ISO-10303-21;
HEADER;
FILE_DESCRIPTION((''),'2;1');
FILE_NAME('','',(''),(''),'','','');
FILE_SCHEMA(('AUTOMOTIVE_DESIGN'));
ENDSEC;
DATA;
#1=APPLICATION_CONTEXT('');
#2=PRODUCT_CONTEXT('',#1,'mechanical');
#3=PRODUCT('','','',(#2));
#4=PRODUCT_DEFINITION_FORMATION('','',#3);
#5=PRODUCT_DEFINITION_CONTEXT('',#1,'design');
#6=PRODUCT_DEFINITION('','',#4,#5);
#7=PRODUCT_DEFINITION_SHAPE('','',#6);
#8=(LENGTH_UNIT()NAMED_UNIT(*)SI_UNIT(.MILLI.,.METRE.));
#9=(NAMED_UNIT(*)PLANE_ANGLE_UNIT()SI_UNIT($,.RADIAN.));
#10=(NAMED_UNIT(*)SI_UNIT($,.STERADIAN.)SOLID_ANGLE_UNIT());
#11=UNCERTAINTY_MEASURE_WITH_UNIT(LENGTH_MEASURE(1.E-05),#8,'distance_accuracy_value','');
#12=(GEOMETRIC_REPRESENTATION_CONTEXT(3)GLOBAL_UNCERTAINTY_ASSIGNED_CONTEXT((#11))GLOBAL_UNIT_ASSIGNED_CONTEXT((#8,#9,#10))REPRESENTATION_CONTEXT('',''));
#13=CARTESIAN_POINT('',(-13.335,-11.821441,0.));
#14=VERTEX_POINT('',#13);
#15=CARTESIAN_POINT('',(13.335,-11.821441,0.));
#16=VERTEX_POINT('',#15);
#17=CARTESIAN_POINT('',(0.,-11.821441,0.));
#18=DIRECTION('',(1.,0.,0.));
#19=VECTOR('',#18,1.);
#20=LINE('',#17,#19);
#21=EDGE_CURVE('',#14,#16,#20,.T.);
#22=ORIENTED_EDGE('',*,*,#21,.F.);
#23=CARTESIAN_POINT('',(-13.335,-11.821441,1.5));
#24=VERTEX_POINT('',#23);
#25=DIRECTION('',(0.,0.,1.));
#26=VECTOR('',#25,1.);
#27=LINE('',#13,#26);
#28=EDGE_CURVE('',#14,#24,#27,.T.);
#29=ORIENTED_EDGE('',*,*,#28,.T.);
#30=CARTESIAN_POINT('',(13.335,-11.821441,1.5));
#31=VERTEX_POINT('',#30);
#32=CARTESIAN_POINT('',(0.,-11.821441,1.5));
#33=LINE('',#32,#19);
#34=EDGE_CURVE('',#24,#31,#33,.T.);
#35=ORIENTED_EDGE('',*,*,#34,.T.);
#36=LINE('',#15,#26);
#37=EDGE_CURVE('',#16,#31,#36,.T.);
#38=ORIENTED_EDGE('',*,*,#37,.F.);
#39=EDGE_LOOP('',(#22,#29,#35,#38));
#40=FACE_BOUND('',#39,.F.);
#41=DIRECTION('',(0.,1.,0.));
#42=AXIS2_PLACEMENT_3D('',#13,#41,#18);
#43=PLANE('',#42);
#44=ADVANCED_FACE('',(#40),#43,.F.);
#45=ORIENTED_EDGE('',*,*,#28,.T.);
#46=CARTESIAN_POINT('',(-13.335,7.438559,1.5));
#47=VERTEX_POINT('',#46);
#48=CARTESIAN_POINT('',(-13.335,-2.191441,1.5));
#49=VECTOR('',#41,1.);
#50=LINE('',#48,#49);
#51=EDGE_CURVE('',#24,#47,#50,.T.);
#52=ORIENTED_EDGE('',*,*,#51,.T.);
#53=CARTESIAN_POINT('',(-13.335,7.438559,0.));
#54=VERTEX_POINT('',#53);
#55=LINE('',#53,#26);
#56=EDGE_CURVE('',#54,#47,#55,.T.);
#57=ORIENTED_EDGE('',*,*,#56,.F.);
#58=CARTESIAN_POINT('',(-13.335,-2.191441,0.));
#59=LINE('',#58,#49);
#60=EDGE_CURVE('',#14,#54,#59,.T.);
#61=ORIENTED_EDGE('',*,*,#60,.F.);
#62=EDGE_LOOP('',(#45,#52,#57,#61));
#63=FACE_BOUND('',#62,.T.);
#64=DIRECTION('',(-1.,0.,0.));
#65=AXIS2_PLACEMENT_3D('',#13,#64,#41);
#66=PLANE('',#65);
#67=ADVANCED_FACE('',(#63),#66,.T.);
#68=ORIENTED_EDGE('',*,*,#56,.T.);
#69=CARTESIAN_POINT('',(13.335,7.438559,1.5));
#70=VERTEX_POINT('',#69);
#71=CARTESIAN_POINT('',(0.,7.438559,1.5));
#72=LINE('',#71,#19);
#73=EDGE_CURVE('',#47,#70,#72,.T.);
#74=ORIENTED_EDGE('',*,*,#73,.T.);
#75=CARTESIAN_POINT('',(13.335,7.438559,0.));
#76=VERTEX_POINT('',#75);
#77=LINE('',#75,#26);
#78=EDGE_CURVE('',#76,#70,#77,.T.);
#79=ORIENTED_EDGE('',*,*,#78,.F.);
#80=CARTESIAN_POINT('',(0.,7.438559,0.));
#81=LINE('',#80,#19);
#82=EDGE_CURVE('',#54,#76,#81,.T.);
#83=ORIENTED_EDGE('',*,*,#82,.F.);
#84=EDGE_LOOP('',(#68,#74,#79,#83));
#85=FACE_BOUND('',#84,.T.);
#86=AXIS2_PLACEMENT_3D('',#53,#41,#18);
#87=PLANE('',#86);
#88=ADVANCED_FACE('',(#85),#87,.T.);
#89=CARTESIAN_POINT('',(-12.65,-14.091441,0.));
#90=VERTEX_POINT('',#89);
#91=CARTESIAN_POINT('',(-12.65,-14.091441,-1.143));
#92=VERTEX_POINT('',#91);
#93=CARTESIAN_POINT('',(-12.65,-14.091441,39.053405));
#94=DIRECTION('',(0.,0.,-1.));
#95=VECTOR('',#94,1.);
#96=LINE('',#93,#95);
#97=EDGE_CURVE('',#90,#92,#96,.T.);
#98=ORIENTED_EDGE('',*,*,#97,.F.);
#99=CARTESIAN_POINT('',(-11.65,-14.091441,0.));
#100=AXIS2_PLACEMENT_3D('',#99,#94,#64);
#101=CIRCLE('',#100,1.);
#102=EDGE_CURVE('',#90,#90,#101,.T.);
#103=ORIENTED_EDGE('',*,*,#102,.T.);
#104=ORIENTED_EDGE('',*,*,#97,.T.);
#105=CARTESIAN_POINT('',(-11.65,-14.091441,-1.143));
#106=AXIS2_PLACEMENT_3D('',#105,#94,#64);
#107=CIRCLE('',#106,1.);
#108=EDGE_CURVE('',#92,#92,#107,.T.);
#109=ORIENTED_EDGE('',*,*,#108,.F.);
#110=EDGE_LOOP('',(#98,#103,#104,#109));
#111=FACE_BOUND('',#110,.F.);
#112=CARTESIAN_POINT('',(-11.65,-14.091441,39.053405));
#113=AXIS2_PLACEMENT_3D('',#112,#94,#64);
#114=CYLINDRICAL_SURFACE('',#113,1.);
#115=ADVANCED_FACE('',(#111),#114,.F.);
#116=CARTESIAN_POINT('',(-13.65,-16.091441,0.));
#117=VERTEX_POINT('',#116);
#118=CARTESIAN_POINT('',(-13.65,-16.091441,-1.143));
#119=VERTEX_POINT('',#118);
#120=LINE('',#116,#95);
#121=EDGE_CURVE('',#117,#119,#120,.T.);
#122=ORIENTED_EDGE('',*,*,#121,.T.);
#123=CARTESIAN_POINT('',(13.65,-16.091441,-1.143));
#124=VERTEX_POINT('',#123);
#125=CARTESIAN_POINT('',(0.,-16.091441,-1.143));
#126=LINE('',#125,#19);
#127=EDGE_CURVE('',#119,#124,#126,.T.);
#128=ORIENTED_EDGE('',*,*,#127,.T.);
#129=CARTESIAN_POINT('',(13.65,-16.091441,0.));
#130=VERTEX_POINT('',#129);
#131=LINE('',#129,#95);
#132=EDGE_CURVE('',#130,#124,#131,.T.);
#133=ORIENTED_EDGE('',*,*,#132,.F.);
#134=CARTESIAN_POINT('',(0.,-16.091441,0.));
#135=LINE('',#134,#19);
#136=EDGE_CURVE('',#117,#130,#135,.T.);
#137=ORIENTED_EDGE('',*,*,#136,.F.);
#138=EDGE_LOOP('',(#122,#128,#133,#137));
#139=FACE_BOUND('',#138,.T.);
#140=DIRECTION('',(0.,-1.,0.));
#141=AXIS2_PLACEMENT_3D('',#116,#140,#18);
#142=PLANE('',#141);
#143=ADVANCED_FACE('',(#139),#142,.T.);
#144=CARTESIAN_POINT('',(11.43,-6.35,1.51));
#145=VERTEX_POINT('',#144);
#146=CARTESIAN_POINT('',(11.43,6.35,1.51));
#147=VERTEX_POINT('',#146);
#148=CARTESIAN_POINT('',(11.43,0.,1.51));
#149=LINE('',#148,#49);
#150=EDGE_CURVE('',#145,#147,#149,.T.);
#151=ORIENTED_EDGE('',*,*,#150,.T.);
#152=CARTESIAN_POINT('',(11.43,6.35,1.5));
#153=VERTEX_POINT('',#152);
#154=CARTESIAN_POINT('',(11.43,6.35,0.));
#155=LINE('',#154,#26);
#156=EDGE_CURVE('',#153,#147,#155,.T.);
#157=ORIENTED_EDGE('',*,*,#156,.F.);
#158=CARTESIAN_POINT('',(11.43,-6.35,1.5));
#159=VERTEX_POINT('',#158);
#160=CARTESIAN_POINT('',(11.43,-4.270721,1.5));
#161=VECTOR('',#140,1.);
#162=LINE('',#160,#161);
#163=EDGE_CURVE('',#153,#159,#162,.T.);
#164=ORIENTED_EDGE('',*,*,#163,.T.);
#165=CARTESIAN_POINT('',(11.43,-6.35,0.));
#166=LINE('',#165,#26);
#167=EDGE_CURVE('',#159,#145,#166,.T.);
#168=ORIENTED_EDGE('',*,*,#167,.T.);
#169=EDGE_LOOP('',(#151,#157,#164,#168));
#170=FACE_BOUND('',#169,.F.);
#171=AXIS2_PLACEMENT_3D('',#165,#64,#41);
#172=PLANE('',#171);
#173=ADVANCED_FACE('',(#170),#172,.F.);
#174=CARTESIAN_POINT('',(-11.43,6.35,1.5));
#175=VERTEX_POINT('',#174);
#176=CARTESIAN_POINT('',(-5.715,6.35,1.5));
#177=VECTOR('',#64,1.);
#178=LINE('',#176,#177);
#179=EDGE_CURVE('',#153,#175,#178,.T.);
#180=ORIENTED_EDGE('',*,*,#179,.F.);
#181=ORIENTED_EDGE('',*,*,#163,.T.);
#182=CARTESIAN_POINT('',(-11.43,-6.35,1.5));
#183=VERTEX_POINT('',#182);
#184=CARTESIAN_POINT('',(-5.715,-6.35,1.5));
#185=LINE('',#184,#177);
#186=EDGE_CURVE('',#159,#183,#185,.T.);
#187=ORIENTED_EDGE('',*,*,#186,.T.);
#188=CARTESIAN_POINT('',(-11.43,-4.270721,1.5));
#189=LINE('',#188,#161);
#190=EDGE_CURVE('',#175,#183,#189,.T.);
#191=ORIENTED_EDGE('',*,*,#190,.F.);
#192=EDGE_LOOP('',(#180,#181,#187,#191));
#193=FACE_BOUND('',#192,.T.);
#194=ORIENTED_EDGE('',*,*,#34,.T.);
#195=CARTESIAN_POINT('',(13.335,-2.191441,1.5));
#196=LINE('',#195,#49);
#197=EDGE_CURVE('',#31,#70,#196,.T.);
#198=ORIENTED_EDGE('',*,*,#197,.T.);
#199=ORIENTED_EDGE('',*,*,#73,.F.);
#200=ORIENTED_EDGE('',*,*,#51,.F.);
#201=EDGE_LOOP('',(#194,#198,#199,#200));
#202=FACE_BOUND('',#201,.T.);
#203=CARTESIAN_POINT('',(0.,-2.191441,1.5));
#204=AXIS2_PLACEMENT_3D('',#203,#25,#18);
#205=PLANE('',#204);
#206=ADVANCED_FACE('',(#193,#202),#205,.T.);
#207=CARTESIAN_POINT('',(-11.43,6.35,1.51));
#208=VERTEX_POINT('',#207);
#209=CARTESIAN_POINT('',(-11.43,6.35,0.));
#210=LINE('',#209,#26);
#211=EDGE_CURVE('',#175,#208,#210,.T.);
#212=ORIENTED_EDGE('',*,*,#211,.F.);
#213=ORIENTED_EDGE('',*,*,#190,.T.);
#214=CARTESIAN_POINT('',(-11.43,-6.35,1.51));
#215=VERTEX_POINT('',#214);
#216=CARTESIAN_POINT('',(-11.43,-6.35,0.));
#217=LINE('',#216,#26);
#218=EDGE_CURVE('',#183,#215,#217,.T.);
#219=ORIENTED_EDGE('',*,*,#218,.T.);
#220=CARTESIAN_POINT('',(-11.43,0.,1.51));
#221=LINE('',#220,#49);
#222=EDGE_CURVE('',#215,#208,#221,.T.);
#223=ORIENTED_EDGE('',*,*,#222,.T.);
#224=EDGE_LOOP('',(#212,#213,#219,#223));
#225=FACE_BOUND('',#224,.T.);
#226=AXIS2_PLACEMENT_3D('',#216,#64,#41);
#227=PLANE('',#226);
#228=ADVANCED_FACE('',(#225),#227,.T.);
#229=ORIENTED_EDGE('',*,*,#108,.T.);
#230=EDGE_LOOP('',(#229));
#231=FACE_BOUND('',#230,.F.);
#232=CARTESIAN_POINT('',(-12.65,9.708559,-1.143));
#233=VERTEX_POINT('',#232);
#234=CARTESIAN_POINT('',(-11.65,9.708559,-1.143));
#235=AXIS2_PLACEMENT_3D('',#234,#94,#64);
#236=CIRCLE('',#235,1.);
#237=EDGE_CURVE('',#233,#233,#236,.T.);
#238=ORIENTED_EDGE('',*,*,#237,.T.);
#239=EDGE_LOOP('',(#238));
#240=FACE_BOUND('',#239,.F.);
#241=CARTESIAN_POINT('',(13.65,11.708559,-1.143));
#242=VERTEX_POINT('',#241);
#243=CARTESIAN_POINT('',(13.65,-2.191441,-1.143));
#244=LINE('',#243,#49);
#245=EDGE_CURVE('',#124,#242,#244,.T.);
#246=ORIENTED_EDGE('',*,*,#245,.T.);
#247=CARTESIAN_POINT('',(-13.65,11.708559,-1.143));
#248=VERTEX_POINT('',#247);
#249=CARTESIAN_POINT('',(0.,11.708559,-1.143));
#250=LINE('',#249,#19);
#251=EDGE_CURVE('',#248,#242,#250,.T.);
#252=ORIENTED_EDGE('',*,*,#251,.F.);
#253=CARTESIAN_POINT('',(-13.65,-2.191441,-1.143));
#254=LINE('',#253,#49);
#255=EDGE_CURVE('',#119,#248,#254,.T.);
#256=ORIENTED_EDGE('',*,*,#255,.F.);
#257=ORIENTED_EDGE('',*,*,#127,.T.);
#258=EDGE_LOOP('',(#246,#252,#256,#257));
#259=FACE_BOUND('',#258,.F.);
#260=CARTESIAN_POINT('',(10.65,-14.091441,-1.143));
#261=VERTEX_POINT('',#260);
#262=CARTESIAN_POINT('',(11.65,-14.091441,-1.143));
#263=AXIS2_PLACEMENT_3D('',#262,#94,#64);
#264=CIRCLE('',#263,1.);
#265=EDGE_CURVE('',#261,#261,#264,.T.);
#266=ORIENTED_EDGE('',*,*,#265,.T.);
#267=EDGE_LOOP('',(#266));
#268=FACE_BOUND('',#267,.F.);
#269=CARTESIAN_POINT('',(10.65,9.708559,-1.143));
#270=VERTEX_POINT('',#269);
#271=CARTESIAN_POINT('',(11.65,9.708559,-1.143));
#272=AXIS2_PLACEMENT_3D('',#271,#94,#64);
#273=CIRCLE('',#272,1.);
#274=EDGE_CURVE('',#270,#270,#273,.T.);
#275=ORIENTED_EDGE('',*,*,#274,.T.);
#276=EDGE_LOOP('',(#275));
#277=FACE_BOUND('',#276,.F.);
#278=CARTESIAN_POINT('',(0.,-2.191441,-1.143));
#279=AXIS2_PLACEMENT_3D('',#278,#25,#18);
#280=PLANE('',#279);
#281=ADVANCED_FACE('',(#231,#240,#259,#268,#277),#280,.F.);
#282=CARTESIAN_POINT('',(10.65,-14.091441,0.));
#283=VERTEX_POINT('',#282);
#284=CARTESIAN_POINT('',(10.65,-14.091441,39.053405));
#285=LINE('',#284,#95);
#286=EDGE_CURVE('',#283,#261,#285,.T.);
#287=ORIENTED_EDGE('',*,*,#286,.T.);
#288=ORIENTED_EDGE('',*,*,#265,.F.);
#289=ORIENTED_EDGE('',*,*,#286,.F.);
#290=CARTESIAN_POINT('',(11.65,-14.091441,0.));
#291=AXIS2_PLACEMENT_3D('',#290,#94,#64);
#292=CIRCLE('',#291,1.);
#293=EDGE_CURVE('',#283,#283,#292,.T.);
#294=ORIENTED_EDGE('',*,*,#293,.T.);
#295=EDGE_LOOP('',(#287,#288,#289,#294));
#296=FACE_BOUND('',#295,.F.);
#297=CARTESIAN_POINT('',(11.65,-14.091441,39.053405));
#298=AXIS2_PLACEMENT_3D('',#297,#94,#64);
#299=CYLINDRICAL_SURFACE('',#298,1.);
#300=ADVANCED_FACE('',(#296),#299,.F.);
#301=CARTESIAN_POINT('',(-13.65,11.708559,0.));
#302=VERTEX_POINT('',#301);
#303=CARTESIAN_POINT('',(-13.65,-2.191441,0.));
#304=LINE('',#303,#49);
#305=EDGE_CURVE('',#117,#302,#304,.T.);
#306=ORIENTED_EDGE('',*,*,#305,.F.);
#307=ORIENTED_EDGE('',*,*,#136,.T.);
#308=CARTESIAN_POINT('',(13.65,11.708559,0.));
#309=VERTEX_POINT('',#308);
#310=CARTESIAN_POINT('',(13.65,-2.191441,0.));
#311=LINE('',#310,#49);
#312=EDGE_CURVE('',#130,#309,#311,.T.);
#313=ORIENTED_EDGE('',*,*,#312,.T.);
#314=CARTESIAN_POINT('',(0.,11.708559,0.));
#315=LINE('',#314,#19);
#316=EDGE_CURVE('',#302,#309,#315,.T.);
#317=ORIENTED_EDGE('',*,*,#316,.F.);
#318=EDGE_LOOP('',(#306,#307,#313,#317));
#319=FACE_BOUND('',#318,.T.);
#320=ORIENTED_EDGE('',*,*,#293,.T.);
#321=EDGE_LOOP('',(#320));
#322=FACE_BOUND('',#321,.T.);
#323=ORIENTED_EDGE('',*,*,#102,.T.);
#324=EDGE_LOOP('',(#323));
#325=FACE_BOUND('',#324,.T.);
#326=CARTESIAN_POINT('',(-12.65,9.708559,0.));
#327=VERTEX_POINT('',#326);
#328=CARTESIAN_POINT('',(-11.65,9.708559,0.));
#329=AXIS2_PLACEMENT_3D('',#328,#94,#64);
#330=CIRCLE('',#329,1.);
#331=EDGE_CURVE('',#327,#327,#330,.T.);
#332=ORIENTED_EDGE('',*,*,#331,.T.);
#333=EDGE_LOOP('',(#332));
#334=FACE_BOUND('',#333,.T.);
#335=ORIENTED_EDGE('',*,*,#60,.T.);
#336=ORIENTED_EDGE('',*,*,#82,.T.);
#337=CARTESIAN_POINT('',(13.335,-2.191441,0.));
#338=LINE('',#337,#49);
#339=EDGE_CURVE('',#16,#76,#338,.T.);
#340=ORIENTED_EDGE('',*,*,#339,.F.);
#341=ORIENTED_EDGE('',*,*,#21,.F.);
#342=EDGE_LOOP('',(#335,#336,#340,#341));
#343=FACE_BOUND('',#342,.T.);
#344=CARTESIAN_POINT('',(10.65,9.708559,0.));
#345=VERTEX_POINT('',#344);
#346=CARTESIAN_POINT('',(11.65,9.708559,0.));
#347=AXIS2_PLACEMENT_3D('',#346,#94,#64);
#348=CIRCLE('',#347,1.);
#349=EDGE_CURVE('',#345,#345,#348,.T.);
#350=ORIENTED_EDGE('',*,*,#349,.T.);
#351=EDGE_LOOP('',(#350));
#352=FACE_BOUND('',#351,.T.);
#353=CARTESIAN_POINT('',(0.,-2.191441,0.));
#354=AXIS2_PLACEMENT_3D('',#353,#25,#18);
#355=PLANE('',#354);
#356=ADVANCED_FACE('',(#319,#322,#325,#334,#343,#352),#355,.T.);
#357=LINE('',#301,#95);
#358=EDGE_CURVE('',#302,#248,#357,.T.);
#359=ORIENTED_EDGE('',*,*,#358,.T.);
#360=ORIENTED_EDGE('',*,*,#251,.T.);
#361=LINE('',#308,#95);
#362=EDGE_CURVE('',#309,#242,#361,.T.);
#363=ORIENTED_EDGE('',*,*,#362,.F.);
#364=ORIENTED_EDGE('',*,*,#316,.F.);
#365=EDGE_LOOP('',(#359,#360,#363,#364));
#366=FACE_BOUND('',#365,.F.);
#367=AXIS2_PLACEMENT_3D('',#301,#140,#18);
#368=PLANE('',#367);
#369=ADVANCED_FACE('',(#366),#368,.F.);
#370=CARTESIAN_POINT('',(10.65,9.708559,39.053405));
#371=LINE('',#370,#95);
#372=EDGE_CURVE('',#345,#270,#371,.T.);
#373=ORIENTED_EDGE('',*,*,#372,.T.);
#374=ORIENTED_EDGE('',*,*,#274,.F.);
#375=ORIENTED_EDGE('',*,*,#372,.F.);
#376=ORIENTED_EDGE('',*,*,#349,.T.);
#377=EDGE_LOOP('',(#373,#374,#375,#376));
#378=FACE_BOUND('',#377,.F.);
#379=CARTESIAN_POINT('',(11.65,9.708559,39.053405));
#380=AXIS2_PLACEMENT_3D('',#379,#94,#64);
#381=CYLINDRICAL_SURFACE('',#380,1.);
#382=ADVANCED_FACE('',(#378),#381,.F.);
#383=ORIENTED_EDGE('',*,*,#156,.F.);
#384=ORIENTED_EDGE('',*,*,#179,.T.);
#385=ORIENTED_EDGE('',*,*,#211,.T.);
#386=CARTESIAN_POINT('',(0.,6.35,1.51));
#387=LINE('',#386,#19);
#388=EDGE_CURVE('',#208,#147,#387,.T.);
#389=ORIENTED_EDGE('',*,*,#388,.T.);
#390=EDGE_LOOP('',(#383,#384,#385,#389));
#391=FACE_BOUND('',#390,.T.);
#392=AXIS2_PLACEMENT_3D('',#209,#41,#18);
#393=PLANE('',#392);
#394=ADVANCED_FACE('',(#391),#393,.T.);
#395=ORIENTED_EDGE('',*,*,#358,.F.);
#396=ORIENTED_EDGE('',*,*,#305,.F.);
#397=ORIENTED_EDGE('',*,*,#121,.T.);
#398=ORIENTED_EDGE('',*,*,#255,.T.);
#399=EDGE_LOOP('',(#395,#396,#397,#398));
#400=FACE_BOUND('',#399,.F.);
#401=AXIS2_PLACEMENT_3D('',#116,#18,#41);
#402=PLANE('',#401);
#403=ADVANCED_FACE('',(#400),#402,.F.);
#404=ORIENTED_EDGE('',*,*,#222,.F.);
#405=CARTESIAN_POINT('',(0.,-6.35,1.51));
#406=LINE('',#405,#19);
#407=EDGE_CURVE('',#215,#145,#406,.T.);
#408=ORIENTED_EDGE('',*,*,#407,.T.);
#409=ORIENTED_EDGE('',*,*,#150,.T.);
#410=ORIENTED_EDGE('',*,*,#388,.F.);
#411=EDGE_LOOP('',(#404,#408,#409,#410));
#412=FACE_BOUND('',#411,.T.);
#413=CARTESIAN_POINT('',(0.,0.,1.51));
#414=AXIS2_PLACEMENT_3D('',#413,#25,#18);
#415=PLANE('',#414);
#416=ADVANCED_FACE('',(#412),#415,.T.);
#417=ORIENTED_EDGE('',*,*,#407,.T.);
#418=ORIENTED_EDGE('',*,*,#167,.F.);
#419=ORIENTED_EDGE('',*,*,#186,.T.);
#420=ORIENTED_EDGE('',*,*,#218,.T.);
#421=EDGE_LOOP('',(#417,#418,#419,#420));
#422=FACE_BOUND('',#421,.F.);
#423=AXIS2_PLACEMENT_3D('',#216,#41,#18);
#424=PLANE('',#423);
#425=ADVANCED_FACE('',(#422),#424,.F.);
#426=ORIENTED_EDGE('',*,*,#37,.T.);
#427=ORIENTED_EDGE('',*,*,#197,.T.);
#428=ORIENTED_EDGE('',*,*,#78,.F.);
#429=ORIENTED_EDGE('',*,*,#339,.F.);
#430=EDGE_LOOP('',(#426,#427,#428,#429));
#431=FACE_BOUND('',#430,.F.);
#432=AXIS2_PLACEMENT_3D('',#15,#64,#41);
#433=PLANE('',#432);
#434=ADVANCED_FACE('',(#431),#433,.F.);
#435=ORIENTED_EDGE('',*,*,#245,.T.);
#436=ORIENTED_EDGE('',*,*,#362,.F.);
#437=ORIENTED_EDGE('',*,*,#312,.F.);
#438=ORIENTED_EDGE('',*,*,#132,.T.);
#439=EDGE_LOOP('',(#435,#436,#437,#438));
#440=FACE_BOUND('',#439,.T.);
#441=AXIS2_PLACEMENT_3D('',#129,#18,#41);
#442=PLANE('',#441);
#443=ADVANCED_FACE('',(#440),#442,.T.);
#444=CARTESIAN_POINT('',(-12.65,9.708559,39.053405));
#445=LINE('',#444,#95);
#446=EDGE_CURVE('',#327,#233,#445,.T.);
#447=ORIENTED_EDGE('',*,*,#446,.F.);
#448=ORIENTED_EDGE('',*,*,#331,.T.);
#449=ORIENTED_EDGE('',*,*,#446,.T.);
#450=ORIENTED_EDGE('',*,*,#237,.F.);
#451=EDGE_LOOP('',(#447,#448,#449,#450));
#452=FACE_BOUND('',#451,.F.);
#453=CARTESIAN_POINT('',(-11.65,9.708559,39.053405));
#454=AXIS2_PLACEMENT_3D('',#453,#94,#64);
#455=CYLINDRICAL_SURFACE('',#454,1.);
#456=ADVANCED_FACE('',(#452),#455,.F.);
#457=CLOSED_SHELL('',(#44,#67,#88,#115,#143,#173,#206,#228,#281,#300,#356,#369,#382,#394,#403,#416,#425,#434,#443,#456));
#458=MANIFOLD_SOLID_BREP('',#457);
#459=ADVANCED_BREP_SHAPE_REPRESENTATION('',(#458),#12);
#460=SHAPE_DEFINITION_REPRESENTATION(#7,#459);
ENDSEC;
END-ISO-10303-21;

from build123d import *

# Parameters (mm, degrees)
F0_W     = 27.3
F0_H     = 27.8
F0_W_2   = 26.67
F0_H_2   = 19.26
F0_W_3   = 22.86
F0_H_3   = 12.7
F1_DEPTH = 1.143
F2_DEPTH = 1.5
F3_DEPTH = 1.51
F5_D     = 2


with BuildPart() as f1:
    # F0 (on Top) → F1 (new body)
    with BuildSketch(Plane.XY):
        with Locations((0, -2.191441)):
            Rectangle(F0_W, F0_H)
        with Locations((0, -2.191441)):
            Rectangle(F0_W_2, F0_H_2, mode=Mode.SUBTRACT)
        with Locations((0, -2.191441)):
            Rectangle(F0_W_2, F0_H_2)
        Rectangle(F0_W_3, F0_H_3, mode=Mode.SUBTRACT)
        Rectangle(F0_W_3, F0_H_3)
    extrude(amount=-F1_DEPTH)

    # F0 (on Top) → F2 (join)
    with BuildSketch(Plane.XY):
        with Locations((0, -2.191441)):
            Rectangle(F0_W_2, F0_H_2)
        Rectangle(F0_W_3, F0_H_3, mode=Mode.SUBTRACT)
        Rectangle(F0_W_3, F0_H_3)
    extrude(amount=F2_DEPTH)

    # F0 (on Top) → F3 (join)
    with BuildSketch(Plane.XY):
        Rectangle(F0_W_3, F0_H_3)
    extrude(amount=F3_DEPTH)

    # F5 (through all)
    with Locations(Plane.XY):
        with Locations((-11.65, 9.708559), (11.65, 9.708559), (11.65, -14.091441), (-11.65, -14.091441)):
            Hole(F5_D / 2)


solid = f1.part
